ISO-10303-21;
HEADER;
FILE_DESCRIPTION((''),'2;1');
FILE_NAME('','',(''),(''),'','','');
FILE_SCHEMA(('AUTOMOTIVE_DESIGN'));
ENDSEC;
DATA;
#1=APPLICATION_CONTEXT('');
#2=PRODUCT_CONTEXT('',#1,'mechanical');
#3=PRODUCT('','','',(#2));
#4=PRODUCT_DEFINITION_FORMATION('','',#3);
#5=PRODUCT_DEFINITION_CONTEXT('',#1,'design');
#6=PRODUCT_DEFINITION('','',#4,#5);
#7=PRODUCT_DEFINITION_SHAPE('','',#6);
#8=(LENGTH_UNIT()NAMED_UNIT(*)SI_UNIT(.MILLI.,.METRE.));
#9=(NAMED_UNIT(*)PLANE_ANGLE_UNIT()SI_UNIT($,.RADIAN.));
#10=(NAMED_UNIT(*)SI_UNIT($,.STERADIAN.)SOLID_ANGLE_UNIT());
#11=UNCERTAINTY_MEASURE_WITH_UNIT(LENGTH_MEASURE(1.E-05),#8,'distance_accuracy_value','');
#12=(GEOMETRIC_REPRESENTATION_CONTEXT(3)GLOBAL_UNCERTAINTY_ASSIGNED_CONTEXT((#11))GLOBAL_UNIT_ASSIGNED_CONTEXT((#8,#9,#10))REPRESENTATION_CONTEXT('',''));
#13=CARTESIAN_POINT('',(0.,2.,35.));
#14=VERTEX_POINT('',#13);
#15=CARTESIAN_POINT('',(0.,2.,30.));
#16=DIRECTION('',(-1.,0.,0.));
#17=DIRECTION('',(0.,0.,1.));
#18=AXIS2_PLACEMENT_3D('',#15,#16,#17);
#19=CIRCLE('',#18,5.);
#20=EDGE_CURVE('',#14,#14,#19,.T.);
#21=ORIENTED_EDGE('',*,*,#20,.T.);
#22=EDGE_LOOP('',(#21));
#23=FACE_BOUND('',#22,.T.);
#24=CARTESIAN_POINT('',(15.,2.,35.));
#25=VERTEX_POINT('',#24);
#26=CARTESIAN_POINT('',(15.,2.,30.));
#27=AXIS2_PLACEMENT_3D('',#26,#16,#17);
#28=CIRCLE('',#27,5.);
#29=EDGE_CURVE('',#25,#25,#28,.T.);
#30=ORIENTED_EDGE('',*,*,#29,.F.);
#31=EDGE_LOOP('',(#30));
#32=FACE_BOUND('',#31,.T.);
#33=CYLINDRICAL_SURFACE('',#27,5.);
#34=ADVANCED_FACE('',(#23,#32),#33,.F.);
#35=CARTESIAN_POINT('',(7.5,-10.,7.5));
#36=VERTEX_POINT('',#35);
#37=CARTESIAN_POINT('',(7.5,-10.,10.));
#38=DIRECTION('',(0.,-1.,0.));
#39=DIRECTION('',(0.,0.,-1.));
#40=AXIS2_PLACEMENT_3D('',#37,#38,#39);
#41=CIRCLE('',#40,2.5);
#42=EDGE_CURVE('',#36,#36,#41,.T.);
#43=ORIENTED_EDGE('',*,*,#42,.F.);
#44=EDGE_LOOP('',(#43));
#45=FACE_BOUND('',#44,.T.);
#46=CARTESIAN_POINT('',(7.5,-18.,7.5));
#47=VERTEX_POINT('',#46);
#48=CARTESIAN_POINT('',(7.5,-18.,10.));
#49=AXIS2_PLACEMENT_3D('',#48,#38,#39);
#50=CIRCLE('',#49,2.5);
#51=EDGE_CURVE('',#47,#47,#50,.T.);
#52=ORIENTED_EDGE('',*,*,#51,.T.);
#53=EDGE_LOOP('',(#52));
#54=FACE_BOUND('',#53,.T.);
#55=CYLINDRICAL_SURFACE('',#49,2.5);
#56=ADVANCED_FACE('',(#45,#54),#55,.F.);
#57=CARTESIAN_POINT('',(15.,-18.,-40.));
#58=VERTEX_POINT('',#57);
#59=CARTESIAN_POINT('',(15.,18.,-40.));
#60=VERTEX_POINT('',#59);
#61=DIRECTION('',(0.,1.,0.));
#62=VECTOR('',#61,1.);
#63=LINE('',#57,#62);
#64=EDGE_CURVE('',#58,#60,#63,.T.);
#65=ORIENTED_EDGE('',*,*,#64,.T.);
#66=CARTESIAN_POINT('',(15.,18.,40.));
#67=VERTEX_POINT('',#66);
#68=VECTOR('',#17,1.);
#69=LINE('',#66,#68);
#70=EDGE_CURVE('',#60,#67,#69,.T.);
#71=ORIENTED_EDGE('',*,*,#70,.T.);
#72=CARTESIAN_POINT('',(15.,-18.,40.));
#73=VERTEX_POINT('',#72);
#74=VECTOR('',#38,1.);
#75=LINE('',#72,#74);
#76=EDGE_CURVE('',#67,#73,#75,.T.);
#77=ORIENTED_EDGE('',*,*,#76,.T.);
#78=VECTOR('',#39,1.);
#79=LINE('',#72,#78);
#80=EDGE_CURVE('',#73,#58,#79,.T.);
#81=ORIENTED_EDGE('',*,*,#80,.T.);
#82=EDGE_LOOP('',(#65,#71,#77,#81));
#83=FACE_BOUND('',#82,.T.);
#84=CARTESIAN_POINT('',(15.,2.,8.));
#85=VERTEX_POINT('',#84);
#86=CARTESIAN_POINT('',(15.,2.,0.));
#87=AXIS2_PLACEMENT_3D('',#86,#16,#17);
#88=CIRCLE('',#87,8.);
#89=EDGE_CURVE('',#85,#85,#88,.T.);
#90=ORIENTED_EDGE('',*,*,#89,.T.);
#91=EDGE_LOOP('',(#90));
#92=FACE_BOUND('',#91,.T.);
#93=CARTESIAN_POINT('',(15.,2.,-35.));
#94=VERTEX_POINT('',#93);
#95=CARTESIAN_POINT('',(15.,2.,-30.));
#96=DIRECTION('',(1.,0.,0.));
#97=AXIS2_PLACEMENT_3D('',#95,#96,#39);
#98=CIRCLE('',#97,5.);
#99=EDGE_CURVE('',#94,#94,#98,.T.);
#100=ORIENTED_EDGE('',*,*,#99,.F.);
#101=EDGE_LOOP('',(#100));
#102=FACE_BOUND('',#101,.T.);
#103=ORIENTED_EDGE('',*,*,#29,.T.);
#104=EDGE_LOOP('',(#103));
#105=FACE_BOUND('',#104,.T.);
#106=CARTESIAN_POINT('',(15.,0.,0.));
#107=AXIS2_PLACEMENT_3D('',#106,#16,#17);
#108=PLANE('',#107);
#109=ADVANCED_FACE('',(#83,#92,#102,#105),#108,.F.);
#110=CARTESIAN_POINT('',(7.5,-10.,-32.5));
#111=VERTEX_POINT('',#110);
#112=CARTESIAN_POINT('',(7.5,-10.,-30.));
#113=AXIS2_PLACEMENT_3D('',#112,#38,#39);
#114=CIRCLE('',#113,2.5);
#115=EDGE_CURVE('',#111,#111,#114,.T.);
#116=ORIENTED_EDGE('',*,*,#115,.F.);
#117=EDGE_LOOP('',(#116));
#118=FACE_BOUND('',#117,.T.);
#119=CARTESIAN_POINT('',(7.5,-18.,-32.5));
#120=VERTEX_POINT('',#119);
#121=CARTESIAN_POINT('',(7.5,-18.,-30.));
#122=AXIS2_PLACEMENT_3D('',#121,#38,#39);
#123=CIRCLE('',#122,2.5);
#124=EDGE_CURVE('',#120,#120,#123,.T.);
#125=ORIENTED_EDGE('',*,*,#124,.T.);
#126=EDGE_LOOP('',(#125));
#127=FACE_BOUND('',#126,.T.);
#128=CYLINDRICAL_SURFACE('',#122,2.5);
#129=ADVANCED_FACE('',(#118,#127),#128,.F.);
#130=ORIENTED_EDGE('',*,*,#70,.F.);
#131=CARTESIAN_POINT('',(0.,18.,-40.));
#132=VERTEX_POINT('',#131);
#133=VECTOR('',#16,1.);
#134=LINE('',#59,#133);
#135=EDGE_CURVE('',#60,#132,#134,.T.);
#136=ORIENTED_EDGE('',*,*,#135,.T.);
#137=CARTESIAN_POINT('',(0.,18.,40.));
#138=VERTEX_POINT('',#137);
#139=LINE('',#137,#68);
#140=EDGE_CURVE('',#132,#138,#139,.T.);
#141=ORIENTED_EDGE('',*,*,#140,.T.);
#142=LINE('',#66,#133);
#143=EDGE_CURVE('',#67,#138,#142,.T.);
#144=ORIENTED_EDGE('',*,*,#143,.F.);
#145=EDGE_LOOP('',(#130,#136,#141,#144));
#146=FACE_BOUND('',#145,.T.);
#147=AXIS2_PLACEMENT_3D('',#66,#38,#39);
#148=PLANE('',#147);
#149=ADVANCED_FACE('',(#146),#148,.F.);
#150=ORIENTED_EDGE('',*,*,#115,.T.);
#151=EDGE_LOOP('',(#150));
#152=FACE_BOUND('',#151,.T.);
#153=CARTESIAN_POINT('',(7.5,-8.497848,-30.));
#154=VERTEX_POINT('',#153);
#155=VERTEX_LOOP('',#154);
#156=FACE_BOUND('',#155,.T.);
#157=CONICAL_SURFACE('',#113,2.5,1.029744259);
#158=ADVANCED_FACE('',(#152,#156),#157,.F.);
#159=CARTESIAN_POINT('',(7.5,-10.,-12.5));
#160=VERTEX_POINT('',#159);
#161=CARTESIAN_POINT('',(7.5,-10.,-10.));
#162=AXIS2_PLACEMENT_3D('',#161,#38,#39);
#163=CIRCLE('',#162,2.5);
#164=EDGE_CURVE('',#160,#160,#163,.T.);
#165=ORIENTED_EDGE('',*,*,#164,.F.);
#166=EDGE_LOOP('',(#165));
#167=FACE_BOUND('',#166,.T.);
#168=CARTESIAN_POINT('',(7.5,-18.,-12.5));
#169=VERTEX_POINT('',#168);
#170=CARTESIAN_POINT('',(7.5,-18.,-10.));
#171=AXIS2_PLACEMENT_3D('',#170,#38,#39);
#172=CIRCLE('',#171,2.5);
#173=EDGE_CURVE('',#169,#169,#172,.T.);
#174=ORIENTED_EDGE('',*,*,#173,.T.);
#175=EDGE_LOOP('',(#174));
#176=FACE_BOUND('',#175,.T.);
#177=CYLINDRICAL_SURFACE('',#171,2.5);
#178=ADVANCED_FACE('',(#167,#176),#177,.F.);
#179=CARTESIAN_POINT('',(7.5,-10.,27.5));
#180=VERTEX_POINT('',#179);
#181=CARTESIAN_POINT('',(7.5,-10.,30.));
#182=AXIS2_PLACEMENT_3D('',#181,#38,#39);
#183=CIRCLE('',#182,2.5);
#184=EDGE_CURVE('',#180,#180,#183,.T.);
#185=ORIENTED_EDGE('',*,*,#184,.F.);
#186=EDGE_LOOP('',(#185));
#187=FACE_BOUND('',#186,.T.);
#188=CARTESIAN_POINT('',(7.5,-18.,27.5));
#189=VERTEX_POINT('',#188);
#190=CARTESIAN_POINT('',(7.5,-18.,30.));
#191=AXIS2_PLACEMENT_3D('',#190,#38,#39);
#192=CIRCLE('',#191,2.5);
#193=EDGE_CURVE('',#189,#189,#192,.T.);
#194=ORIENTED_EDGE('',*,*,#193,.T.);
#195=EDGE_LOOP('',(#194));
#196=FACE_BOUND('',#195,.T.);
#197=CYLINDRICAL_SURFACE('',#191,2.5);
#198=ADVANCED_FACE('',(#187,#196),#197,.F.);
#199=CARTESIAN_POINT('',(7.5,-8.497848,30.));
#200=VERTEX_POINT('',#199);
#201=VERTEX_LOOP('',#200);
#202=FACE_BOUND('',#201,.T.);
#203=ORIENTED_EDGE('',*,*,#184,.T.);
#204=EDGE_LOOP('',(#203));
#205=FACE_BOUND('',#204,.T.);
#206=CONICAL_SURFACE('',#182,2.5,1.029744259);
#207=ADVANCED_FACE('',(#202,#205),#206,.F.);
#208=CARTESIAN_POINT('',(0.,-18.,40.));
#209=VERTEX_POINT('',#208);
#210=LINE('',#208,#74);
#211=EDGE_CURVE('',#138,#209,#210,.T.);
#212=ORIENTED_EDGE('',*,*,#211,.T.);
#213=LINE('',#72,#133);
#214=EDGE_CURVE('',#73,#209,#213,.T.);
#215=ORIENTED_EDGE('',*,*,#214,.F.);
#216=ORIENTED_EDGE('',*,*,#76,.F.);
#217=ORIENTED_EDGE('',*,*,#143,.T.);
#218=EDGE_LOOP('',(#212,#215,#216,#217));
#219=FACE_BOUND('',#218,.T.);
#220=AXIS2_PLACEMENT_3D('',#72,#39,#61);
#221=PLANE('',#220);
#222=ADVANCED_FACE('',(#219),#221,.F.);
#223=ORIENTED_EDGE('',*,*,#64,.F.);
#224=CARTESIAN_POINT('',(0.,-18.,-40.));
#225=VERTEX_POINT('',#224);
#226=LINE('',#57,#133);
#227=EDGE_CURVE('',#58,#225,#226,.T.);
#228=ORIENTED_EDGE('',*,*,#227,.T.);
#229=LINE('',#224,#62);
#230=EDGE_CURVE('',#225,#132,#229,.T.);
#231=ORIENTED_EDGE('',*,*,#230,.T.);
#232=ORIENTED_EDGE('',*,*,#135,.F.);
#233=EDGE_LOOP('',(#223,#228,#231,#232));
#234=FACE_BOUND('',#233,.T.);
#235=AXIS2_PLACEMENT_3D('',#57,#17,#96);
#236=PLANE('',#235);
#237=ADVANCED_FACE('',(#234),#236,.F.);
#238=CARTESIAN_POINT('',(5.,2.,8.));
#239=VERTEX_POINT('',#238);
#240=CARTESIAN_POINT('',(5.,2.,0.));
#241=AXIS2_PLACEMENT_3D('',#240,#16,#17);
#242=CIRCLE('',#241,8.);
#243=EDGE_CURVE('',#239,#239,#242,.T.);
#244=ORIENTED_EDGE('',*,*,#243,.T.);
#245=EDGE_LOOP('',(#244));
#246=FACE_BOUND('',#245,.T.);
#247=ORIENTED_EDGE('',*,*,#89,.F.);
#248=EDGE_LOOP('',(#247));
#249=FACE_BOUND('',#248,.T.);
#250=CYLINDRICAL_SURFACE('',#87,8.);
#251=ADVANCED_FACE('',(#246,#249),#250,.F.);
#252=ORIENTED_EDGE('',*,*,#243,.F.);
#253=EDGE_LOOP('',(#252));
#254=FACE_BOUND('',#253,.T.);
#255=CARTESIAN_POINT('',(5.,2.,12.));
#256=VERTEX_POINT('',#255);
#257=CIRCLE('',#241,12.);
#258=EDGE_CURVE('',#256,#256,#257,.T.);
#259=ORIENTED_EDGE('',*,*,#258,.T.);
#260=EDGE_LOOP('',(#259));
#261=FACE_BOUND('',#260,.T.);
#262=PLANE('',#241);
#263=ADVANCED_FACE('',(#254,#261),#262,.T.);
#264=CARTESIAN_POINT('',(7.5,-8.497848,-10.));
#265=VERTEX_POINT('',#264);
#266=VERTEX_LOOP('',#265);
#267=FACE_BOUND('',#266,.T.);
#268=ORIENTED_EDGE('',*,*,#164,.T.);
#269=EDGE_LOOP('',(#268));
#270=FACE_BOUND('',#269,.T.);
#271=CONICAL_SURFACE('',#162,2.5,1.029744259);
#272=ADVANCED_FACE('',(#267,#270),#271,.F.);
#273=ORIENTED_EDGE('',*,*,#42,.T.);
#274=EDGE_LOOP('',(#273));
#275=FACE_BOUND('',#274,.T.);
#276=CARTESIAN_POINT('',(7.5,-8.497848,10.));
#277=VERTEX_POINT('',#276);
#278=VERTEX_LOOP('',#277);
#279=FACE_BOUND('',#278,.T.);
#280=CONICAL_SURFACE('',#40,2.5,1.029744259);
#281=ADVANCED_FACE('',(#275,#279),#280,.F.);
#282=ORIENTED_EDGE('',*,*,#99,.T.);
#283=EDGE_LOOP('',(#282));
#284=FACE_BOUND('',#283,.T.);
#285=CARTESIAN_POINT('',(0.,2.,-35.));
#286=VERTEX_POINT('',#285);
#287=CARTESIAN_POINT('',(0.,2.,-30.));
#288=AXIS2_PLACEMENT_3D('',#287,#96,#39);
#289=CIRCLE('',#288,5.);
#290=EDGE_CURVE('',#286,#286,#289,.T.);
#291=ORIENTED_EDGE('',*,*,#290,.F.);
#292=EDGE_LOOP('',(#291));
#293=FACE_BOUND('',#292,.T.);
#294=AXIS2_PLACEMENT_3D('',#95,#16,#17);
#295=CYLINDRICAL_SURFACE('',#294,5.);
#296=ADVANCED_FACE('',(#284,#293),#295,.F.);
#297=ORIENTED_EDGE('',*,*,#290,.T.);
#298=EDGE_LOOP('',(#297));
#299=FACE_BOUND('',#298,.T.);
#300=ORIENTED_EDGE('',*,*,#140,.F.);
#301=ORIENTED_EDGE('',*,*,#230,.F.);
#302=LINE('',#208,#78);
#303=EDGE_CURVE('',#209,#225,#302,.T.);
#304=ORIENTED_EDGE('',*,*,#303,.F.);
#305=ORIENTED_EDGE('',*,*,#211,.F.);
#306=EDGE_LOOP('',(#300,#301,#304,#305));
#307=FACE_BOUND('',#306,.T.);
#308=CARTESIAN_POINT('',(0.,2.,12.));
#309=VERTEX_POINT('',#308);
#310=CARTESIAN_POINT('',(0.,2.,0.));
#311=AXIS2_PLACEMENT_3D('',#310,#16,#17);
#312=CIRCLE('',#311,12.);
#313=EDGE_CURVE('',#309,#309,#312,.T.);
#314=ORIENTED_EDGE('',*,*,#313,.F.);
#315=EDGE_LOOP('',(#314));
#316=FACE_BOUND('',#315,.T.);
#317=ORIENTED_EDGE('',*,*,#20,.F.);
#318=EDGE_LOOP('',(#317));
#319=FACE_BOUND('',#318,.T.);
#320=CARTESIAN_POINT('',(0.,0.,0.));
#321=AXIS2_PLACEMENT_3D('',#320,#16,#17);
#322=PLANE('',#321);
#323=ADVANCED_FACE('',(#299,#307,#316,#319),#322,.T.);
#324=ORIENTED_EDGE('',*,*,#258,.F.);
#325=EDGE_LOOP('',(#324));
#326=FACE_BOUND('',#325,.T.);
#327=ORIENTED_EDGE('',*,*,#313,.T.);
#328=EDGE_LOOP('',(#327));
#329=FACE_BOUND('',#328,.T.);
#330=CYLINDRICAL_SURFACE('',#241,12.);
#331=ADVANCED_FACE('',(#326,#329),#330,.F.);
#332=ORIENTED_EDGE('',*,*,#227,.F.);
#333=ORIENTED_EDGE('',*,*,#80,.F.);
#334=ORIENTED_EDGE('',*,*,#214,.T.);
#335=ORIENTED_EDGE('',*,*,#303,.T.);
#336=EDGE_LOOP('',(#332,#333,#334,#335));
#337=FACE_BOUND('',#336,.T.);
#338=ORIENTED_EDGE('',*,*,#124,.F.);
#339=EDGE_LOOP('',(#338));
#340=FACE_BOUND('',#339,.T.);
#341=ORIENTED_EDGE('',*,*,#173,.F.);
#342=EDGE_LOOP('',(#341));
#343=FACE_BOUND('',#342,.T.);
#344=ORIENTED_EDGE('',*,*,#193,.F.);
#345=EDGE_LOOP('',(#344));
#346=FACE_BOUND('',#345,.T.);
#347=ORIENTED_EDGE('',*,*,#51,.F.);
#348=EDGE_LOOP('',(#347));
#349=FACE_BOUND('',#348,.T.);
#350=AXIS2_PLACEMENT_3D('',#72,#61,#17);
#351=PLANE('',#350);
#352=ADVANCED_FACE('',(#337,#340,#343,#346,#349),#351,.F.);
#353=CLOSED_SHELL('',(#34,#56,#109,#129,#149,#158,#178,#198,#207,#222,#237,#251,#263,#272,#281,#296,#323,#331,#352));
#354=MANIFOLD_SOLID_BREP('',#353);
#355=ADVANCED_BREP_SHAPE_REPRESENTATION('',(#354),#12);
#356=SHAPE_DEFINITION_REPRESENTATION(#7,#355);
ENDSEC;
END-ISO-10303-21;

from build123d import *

# Parameters (mm, degrees)
SKETCH_1_W             = 80
SKETCH_1_H             = 36
EXTRUDE_1_DEPTH        = 15
HOLE_WIZARD_M6_1_D     = 5
HOLE_WIZARD_M6_1_DEPTH = 8
HOLE_WIZARD_M6_1_TIP   = 1.502151548
SKETCH_4_R             = 12
CUT_EXTRUDE_1_DEPTH    = 5
SKETCH_5_R             = 5
CUT_EXTRUDE_2_DEPTH    = 15
SKETCH_6_R             = 8
CUT_EXTRUDE_3_DEPTH    = 45.988887517


with BuildPart() as part:
    # 草图1 → 凸台-拉伸1 (new body)
    with BuildSketch(Plane(origin=(0, 0, 0), x_dir=(0, 0, -1), z_dir=(1, 0, 0))):
        Rectangle(SKETCH_1_W, SKETCH_1_H)
    extrude(amount=EXTRUDE_1_DEPTH)

    # M6 螺纹孔1
    with Locations(Plane.XZ.offset(18)):
        with Locations((7.5, 30), (7.5, 10), (7.5, -10), (7.5, -30)):
            Hole(HOLE_WIZARD_M6_1_D / 2, depth=HOLE_WIZARD_M6_1_DEPTH)
            with Locations((0, 0, -(HOLE_WIZARD_M6_1_DEPTH + HOLE_WIZARD_M6_1_TIP / 2))):  # 118° drill point
                Cone(0, HOLE_WIZARD_M6_1_D / 2, HOLE_WIZARD_M6_1_TIP, mode=Mode.SUBTRACT)

    # 草图4 → 切除-拉伸1 (cut)
    with BuildSketch(Plane.ZY):
        with Locations((0, 2)):
            Circle(SKETCH_4_R)
    extrude(amount=-CUT_EXTRUDE_1_DEPTH, mode=Mode.SUBTRACT)

    # 草图5 → 切除-拉伸2 (cut)
    with BuildSketch(Plane.ZY):
        with Locations((30, 2)):
            Circle(SKETCH_5_R)
    cut_extrude_2 = extrude(amount=-CUT_EXTRUDE_2_DEPTH, mode=Mode.SUBTRACT)

    # 镜向1: 切除-拉伸2 across plane
    add(cut_extrude_2.mirror(Plane.XY), mode=Mode.SUBTRACT)

    # 草图6 → 切除-拉伸3 (cut, through all)
    with BuildSketch(Plane.ZY.offset(-5)):
        with Locations((0, 2)):
            Circle(SKETCH_6_R)
    extrude(amount=-CUT_EXTRUDE_3_DEPTH, mode=Mode.SUBTRACT)


solid = part.part
